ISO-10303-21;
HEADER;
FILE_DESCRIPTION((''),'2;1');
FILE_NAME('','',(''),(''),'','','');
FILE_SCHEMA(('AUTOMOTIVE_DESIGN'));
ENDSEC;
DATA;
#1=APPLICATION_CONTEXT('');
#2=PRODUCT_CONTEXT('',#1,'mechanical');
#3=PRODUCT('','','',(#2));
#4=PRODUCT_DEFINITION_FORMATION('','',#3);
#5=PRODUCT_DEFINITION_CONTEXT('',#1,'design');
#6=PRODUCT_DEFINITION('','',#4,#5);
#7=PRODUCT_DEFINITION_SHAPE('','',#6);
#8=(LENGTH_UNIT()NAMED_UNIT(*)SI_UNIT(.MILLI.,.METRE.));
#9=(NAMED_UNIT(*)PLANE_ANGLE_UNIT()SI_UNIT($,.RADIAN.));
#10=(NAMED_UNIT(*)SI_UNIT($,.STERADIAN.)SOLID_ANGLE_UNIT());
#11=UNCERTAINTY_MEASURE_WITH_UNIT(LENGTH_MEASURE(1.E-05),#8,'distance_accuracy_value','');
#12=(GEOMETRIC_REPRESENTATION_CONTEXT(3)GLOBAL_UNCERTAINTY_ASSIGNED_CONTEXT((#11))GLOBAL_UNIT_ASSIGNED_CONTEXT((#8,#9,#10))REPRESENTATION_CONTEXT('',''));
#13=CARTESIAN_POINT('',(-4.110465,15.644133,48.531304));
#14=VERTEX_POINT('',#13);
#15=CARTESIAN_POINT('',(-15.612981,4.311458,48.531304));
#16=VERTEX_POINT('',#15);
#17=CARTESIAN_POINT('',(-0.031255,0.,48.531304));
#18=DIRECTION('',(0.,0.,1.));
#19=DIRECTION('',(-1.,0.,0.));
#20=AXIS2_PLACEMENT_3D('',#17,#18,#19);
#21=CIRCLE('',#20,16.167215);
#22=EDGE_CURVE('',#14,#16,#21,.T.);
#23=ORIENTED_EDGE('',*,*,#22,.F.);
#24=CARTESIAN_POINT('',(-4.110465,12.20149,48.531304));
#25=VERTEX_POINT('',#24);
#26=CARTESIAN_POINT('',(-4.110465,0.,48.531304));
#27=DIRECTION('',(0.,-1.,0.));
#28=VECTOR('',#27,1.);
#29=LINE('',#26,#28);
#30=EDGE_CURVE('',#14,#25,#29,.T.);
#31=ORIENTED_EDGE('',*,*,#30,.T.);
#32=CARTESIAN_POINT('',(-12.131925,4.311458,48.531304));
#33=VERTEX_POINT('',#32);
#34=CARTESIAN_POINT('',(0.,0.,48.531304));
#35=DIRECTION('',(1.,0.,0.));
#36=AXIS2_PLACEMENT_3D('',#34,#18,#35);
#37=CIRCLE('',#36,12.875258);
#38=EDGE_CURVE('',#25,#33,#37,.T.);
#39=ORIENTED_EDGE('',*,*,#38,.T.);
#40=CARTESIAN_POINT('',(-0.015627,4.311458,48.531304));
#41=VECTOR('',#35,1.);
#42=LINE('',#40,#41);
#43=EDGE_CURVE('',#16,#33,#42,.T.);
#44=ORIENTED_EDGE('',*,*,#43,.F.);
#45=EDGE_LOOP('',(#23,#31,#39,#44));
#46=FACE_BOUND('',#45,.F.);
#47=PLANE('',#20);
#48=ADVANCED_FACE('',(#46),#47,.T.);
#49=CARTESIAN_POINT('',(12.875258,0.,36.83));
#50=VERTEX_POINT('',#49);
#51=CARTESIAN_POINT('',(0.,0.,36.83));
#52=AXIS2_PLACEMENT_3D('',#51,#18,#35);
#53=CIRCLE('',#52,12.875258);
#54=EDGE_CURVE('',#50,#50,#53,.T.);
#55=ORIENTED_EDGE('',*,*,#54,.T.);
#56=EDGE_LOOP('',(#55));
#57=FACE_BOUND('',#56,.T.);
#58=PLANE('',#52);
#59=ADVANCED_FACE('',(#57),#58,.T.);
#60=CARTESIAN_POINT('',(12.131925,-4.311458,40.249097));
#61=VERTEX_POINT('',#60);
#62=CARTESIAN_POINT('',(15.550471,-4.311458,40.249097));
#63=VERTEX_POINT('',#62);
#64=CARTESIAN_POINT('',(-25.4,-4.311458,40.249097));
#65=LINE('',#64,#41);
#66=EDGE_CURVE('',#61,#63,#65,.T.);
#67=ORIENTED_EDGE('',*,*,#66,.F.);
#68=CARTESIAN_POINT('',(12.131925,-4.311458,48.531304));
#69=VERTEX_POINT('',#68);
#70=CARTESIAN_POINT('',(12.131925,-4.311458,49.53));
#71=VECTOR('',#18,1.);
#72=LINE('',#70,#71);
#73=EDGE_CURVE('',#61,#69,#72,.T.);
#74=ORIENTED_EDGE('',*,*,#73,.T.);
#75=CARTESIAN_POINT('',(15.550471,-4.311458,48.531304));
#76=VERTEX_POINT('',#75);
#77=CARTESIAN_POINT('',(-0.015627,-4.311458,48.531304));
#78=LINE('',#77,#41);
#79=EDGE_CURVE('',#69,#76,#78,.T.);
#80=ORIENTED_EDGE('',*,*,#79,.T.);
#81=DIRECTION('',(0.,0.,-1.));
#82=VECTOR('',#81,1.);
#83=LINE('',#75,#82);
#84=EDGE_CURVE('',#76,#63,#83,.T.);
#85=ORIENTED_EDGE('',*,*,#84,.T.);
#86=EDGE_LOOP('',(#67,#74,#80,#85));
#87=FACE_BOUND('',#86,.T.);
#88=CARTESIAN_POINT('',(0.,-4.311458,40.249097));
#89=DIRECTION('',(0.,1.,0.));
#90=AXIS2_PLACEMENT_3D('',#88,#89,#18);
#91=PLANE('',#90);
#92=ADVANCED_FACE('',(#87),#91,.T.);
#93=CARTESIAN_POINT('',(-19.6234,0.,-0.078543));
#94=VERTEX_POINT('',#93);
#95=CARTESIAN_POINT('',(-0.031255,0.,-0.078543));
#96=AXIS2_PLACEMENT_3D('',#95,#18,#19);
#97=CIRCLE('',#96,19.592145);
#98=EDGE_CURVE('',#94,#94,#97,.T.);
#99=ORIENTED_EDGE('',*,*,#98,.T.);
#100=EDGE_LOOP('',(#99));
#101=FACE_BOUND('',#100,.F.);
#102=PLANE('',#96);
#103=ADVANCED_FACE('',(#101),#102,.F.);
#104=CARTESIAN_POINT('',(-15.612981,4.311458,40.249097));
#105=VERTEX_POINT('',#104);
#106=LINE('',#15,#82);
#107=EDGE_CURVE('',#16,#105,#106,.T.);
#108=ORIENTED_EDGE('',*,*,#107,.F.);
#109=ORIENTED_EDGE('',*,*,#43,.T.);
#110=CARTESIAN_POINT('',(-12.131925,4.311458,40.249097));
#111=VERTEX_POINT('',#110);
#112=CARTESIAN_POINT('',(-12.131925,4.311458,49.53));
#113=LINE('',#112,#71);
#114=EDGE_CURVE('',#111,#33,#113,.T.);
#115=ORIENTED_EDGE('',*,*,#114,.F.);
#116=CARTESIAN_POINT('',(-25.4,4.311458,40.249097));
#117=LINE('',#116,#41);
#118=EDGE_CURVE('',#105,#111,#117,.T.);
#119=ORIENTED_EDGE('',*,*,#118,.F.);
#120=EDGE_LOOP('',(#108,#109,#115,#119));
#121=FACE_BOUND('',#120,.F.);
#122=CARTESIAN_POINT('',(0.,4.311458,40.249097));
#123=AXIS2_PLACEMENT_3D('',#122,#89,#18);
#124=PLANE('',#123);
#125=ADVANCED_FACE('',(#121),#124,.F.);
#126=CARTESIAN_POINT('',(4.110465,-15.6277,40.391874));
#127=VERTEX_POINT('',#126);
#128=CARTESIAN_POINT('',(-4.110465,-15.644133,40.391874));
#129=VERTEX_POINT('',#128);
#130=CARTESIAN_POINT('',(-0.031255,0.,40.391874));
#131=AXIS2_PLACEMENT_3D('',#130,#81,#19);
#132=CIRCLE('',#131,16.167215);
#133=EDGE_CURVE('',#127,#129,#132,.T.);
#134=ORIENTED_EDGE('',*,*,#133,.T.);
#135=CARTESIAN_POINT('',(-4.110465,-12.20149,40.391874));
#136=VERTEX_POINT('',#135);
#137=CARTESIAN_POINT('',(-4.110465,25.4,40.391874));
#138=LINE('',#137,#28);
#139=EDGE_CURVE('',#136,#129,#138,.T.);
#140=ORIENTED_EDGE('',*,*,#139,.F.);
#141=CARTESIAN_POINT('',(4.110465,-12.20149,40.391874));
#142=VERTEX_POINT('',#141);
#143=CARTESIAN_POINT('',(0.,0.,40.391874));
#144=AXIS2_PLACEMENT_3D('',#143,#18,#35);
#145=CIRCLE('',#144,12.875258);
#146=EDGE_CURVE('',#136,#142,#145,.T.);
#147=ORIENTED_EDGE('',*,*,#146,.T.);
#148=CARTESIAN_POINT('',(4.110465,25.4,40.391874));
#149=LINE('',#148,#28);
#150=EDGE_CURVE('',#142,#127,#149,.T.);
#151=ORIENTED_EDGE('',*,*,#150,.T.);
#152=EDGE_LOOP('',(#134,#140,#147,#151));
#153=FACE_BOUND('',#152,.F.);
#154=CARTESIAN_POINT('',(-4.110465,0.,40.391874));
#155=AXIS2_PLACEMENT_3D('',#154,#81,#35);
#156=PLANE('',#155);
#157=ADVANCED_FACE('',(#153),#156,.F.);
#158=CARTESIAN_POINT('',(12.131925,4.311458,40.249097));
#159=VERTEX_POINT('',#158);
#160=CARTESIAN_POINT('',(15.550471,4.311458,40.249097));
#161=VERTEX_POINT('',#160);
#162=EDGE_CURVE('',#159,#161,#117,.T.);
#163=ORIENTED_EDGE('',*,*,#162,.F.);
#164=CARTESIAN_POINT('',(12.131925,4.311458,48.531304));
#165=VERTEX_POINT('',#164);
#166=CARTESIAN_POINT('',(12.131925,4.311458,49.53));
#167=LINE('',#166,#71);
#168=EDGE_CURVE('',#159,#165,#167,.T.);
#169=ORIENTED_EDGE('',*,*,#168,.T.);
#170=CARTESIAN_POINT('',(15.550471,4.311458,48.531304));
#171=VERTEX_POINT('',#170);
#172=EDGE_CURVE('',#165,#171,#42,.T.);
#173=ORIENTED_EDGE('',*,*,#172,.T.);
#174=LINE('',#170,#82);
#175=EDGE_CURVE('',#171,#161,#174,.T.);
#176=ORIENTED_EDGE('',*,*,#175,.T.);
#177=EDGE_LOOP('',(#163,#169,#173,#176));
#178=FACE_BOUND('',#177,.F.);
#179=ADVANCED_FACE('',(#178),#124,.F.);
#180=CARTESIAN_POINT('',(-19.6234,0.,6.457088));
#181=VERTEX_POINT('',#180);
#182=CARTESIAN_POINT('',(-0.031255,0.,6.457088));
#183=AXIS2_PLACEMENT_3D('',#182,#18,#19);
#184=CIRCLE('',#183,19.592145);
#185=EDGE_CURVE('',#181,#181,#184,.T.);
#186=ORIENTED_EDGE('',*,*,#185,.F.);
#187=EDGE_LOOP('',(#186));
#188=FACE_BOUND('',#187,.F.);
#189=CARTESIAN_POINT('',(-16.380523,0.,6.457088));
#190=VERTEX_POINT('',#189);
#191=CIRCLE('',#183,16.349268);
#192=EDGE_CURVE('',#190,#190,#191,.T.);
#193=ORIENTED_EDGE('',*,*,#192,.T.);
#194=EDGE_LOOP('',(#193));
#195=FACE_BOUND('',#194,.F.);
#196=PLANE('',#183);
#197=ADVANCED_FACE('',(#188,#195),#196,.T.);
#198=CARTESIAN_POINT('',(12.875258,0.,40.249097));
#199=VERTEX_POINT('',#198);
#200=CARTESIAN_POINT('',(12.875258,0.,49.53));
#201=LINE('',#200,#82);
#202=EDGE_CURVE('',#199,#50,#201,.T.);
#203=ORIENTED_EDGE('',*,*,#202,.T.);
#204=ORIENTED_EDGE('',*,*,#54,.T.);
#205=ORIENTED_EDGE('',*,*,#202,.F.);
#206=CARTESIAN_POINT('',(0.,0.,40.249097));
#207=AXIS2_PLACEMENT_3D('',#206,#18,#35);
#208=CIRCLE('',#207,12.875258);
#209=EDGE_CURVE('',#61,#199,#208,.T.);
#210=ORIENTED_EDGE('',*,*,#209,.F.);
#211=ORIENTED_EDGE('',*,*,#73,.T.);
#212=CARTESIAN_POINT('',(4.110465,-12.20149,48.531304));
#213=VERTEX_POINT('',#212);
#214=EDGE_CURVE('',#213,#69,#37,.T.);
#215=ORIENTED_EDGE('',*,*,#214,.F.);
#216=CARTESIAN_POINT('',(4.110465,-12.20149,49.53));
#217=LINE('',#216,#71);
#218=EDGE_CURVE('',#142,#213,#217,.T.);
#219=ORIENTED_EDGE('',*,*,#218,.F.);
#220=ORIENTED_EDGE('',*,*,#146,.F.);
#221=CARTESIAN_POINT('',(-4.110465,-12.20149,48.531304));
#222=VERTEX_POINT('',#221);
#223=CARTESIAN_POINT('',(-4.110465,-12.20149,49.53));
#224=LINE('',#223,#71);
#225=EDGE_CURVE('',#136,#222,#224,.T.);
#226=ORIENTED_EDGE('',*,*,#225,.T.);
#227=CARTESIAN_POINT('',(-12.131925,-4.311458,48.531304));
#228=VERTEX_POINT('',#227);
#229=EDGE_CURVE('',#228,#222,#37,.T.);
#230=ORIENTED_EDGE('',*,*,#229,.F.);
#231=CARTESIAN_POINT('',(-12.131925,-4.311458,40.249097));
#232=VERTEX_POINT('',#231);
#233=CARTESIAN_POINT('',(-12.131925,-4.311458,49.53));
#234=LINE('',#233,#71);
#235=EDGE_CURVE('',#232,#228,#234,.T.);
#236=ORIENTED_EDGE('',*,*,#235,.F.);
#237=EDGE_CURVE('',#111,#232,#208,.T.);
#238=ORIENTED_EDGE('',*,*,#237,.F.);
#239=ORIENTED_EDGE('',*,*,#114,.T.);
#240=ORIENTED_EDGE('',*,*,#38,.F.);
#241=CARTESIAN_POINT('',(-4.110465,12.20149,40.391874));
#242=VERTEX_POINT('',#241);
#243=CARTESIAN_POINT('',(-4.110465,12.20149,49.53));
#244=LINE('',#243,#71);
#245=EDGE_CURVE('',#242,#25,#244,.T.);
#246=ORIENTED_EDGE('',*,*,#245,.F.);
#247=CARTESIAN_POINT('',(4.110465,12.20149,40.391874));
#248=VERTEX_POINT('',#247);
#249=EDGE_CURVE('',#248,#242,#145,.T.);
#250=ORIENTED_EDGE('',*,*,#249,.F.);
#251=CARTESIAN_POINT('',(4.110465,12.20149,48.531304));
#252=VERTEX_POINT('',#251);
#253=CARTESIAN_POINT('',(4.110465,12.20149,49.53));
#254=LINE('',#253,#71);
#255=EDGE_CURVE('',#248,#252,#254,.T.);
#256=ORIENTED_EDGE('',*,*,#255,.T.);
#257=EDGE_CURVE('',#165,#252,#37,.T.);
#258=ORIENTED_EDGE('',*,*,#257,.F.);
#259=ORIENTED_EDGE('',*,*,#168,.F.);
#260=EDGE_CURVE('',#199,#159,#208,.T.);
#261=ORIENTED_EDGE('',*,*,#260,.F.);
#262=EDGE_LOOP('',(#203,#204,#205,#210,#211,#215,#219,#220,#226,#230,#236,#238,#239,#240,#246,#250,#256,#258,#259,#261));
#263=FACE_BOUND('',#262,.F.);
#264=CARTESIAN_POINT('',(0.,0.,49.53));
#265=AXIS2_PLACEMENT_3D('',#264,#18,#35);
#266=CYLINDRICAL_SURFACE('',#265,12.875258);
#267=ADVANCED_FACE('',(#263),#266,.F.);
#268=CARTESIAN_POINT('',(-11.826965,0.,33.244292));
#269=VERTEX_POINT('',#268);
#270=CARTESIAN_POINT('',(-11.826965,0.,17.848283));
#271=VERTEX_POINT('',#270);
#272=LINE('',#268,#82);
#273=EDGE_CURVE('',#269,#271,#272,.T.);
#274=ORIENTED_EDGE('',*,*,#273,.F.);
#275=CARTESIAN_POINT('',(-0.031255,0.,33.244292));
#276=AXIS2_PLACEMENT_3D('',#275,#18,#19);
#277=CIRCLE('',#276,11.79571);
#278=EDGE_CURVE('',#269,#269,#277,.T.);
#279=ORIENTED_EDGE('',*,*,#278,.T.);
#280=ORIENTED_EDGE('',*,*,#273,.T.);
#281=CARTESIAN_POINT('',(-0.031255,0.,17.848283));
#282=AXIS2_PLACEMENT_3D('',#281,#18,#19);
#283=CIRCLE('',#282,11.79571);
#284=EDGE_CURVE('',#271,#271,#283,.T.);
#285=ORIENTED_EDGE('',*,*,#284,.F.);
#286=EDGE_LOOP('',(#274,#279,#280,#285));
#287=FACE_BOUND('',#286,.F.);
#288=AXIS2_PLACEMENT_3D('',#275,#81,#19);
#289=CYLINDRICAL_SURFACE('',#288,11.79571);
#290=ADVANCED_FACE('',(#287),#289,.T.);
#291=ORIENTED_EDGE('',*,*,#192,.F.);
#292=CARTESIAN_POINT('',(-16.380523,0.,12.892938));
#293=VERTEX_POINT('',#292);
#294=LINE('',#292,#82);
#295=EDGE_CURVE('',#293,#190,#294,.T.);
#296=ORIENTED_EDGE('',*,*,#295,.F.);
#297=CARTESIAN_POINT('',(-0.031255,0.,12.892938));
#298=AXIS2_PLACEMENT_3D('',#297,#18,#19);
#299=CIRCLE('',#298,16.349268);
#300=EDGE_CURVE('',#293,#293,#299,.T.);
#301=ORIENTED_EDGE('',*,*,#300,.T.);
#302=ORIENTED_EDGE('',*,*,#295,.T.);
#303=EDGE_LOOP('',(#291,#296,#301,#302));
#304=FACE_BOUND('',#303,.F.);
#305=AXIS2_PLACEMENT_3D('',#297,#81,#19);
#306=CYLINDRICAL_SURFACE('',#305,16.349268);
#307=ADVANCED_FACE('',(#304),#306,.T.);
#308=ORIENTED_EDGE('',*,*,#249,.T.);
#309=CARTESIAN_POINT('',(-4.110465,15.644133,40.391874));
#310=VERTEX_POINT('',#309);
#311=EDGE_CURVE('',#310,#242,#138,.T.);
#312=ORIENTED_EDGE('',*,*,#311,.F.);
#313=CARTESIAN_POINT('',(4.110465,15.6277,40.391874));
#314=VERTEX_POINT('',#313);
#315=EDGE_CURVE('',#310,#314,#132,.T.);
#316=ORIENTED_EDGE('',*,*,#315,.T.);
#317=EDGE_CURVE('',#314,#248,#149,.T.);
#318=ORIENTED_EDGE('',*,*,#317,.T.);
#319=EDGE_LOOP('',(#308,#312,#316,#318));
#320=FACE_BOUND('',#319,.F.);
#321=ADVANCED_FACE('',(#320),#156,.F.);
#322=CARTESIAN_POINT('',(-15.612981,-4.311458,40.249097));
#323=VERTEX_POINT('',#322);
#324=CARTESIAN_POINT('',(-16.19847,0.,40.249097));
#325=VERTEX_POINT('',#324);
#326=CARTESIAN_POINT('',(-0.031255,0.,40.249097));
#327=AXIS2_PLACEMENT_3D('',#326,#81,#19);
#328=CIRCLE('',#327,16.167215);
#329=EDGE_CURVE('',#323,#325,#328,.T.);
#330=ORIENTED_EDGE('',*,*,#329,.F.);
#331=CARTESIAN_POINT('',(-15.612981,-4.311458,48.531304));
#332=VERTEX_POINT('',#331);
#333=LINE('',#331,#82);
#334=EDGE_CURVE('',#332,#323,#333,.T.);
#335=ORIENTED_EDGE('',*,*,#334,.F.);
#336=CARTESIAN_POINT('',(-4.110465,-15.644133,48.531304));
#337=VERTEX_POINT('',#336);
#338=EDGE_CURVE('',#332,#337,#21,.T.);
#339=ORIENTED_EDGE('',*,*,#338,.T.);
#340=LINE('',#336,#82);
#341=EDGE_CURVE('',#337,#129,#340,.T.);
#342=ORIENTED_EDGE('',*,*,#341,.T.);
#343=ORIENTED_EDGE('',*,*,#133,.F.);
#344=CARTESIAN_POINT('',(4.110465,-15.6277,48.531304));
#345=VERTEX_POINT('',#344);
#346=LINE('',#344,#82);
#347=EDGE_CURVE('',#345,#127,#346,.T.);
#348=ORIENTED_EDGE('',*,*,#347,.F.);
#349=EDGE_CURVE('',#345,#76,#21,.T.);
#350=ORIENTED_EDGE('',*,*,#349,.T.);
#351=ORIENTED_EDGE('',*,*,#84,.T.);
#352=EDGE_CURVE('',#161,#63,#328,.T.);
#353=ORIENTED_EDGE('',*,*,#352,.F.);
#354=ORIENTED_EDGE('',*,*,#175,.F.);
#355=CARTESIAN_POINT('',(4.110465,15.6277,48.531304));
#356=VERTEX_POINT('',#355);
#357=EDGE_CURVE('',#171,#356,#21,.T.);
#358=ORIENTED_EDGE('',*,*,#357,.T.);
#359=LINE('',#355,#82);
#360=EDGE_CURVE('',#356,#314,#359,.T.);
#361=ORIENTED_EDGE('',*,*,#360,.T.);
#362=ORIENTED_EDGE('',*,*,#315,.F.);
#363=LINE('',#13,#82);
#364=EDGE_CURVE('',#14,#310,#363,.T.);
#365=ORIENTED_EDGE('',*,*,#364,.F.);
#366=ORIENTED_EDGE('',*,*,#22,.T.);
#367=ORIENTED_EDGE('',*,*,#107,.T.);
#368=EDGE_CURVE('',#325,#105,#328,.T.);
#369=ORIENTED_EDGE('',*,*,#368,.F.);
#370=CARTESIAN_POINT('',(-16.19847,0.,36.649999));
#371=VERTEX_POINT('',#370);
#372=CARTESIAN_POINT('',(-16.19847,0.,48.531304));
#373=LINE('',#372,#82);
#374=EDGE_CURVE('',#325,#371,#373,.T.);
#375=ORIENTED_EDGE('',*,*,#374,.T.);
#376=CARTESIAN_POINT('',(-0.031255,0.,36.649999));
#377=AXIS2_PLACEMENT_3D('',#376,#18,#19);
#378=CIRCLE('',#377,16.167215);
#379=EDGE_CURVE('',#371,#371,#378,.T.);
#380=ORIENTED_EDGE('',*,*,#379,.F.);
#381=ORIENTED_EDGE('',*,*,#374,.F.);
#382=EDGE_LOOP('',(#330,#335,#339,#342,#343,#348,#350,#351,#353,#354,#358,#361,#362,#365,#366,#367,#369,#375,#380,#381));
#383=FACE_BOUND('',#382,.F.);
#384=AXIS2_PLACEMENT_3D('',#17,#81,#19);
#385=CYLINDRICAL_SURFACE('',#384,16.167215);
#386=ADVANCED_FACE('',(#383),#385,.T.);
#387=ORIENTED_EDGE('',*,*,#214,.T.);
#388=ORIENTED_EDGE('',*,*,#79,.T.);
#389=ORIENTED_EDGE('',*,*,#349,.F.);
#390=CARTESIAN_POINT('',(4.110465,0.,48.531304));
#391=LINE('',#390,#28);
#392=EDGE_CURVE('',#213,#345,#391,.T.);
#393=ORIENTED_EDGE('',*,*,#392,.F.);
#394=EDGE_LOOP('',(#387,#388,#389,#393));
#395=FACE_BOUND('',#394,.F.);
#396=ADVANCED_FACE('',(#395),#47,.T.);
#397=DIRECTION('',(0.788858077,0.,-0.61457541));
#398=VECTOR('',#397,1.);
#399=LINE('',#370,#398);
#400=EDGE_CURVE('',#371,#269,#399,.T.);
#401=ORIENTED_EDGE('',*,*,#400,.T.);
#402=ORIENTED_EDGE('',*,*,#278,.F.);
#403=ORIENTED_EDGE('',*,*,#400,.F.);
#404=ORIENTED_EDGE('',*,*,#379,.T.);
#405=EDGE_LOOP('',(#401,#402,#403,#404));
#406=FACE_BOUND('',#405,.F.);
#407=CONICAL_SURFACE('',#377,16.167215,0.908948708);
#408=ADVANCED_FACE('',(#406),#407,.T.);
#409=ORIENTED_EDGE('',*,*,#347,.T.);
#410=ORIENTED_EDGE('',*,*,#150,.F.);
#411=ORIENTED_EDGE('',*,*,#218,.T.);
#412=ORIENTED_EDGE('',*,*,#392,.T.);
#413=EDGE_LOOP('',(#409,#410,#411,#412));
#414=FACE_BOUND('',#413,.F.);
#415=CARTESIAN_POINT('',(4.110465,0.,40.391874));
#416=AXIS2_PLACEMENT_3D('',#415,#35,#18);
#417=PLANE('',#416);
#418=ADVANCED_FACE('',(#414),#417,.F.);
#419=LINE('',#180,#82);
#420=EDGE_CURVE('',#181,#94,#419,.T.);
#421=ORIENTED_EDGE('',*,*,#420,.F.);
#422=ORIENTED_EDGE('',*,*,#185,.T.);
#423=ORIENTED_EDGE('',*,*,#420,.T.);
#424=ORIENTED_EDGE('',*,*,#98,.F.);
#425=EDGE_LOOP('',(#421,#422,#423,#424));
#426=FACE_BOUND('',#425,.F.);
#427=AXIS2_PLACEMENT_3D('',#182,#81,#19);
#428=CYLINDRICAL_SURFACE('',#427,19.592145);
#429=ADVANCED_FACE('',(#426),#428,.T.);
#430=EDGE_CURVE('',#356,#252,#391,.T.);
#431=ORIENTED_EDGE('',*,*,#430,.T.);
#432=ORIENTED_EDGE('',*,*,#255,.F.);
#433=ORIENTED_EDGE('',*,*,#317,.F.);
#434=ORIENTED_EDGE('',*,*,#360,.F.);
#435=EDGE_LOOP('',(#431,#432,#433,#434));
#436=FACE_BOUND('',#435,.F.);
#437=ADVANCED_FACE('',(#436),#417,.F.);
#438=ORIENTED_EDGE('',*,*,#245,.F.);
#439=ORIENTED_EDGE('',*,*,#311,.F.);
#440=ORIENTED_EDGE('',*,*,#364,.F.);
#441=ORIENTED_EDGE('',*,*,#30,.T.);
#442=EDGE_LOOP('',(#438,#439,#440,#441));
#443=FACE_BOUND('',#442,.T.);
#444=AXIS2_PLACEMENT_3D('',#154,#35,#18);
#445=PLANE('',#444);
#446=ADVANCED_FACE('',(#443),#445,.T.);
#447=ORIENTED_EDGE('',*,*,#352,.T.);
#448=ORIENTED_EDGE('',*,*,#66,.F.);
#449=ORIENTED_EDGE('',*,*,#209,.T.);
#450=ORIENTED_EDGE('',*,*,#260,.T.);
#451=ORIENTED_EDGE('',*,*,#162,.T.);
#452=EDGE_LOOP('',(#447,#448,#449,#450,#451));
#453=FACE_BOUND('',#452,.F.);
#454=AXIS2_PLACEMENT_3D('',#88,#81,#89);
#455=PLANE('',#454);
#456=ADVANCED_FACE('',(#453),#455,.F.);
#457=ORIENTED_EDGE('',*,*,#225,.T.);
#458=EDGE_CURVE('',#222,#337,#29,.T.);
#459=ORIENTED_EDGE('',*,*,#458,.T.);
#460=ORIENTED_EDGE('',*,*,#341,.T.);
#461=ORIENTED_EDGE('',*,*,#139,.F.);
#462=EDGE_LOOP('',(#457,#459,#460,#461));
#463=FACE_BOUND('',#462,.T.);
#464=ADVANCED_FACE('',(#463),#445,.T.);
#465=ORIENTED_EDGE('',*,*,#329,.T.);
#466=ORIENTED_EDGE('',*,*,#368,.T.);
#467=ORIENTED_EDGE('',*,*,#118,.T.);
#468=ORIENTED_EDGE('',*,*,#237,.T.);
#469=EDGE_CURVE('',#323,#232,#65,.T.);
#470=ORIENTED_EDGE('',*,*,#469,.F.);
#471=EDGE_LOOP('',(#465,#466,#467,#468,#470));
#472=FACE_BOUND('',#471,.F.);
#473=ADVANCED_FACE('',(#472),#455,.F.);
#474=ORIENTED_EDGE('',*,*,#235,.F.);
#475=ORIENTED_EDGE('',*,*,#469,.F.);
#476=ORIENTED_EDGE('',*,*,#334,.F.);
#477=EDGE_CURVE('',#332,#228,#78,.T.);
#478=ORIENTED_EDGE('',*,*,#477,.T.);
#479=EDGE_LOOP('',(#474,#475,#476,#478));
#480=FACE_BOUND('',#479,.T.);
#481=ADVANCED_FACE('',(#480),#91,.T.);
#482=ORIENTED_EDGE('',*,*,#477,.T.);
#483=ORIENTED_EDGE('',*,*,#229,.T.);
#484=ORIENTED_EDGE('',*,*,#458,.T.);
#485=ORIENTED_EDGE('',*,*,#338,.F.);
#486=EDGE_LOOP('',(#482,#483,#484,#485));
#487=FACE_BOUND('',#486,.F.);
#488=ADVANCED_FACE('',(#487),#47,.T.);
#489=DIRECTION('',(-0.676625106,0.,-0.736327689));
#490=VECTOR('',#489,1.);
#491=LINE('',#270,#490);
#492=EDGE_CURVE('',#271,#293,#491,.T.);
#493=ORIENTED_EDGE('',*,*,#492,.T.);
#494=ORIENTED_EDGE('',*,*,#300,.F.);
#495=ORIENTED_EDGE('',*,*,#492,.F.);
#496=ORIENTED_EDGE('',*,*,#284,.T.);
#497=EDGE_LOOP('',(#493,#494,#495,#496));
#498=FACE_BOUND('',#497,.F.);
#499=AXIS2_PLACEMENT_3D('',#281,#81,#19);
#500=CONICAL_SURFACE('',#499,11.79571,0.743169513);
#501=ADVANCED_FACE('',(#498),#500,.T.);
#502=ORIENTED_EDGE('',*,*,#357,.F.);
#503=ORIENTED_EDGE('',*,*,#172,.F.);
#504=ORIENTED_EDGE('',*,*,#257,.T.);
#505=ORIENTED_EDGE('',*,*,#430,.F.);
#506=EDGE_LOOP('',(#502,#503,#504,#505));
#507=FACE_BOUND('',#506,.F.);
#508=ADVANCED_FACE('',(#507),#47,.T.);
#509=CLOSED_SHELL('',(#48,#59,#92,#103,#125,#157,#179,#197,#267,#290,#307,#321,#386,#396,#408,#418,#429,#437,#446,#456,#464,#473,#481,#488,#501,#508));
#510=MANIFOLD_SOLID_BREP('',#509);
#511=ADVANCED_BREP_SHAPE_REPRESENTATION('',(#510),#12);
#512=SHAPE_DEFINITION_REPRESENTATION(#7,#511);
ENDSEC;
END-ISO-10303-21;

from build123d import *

# Parameters (mm, degrees)
F4_R     = 12.875258
F5_DEPTH = 12.7
F6_W     = 8.22093
F6_H     = 18.559195
F7_DEPTH = 25.4
F8_W     = 8.622916
F8_H     = 18.559195
F9_DEPTH = 25.4


with BuildPart() as f1:
    # F0 (on Front) → F1 (revolve)
    with BuildSketch(Plane.XZ):
        Polygon((-34.6094, 4.425088), (-34.6094, -2.110543), (-15.017255, -2.110543), (-15.017255, 46.499304), (-20.429717, 46.499304), (-20.429717, 42.830415), (-24.66305, 42.830415), (-24.66305, 46.499304), (-31.18447, 46.499304), (-31.18447, 34.617999), (-26.812965, 31.212292), (-26.812965, 15.816283), (-31.366523, 10.860938), (-31.366523, 4.425088), align=None)
    revolve(axis=Axis((-15.017255, 0, 22.194381), (0, 0, 1)))


with BuildPart() as f1_1:
    # F2: moved
    add(f1.part.moved(Location((14.986, 0, 2.032))))

    # F4 (on offset) → F5 (cut)
    with BuildSketch(Plane.XY.offset(49.53)):
        Circle(F4_R)
    extrude(amount=-F5_DEPTH, mode=Mode.SUBTRACT)

    # F6 (on Front) → F7 (cut, symmetric)
    with BuildSketch(Plane.XZ):
        with Locations((0, 49.671471)):
            Rectangle(F6_W, F6_H)
    extrude(amount=F7_DEPTH, both=True, mode=Mode.SUBTRACT)

    # F8 (on Right) → F9 (cut, symmetric)
    with BuildSketch(Plane.YZ):
        with Locations((0, 49.528695)):
            Rectangle(F8_W, F8_H)
    extrude(amount=F9_DEPTH, both=True, mode=Mode.SUBTRACT)


solid = f1_1.part
